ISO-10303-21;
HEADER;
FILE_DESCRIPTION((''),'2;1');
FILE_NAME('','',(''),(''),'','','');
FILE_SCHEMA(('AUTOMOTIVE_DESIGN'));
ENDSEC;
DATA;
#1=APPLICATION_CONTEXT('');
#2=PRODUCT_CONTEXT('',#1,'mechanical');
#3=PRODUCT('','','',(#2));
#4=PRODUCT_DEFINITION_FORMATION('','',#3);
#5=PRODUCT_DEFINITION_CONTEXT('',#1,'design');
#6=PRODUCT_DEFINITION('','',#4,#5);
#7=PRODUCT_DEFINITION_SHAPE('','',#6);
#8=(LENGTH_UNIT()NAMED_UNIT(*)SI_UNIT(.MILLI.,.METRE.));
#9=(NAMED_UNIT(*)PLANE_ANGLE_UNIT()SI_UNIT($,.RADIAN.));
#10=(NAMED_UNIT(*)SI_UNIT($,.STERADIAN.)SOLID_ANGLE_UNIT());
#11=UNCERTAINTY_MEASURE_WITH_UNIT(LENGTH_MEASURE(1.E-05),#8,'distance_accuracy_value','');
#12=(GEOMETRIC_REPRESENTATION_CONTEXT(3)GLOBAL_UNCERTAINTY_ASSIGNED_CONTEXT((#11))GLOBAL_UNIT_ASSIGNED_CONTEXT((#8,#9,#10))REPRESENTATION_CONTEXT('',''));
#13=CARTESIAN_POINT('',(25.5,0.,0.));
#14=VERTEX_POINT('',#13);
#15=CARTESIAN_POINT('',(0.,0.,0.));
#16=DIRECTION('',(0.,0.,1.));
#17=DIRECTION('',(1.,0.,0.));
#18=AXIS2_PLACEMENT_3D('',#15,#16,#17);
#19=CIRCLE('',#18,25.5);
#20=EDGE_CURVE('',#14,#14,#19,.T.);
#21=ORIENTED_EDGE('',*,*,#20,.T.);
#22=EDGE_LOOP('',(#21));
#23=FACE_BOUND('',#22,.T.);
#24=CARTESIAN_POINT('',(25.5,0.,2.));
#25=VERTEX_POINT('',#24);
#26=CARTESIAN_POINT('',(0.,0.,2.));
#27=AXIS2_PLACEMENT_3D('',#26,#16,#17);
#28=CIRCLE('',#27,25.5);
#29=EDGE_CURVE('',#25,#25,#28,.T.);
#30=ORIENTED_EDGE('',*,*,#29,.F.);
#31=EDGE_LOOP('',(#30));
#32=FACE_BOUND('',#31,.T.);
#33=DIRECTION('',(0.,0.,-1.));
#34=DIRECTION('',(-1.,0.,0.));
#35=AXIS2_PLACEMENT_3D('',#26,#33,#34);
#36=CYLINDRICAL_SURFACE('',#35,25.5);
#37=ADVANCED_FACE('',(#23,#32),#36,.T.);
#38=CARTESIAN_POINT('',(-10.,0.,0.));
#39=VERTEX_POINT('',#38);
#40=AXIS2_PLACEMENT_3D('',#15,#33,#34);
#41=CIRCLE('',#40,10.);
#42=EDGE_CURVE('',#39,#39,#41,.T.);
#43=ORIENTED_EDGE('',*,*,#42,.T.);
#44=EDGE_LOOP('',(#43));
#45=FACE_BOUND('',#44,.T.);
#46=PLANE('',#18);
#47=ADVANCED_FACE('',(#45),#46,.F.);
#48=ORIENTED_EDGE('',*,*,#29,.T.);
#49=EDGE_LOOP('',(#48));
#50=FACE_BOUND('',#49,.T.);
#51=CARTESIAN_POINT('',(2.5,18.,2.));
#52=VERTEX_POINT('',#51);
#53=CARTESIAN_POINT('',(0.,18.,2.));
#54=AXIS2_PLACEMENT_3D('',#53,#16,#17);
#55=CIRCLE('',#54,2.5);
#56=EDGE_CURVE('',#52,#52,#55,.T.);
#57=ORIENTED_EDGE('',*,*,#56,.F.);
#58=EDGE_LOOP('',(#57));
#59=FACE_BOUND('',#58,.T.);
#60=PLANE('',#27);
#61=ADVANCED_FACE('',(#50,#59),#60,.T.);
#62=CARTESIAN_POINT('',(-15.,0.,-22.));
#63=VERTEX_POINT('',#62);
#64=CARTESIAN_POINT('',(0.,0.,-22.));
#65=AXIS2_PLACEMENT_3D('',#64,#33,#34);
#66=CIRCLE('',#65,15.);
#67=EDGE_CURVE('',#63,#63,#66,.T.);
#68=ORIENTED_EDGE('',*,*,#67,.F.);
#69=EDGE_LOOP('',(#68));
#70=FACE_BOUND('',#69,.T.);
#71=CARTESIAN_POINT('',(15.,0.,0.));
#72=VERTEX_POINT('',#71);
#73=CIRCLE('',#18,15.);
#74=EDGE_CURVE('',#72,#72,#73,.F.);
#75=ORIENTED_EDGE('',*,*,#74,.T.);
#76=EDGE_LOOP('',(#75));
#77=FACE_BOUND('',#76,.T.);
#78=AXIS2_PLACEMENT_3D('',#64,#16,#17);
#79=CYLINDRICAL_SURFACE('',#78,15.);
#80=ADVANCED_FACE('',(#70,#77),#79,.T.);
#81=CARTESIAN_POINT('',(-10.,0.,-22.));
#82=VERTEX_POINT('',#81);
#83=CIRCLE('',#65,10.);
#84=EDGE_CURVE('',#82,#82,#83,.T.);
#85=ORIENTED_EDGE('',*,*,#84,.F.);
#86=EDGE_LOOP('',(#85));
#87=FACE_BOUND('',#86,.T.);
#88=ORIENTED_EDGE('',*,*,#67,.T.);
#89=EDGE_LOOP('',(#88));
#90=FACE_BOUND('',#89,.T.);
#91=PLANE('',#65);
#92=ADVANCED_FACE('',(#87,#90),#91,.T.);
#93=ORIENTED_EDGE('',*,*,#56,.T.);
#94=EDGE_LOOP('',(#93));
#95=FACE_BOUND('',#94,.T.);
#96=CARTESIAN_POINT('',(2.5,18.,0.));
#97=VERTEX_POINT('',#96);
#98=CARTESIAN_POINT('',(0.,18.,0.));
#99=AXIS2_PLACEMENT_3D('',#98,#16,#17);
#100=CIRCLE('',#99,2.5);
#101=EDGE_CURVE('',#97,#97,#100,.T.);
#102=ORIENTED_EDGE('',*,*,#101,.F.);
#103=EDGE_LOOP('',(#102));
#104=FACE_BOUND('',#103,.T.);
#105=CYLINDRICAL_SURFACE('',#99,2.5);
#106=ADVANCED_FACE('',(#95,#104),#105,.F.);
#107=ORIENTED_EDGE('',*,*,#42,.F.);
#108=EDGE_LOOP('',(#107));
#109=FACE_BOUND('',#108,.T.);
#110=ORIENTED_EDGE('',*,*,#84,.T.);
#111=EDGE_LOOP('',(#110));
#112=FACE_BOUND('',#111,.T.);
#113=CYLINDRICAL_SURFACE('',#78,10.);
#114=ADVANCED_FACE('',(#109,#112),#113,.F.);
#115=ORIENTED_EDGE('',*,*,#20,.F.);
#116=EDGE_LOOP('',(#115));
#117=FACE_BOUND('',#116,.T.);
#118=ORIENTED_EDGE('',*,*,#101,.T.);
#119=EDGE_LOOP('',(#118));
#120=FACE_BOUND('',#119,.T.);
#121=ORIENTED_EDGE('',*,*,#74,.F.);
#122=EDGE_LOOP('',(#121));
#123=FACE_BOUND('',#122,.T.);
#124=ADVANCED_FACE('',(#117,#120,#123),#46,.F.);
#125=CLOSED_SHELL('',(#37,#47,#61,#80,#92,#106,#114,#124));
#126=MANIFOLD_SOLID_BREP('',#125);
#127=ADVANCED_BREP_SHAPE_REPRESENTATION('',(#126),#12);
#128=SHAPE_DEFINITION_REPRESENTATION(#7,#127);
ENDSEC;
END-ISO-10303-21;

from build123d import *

# Parameters (mm, degrees)
ESQUISSE1_R             = 25.5
BOSS_EXTRU_1_DEPTH      = 2
ESQUISSE2_R             = 15
ESQUISSE2_R_2           = 10
BOSS_EXTRU_2_DEPTH      = 22
ESQUISSE3_R             = 2.5
ENL_V_MAT_EXTRU_1_DEPTH = 2


with BuildPart() as part:
    # Esquisse1 → Boss.-Extru.1 (new body)
    with BuildSketch(Plane.XY):
        Circle(ESQUISSE1_R)
    extrude(amount=BOSS_EXTRU_1_DEPTH)

    # Esquisse2 → Boss.-Extru.2 (add)
    with BuildSketch(Plane(origin=(0, 0, 0), x_dir=(-1, 0, 0), z_dir=(0, 0, -1))):
        Circle(ESQUISSE2_R)
        Circle(ESQUISSE2_R_2, mode=Mode.SUBTRACT)
    extrude(amount=BOSS_EXTRU_2_DEPTH)

    # Esquisse3 → Enlèv. mat.-Extru.1 (cut)
    with BuildSketch(Plane.XY.offset(2)):
        with Locations((0, 18)):
            Circle(ESQUISSE3_R)
    extrude(amount=-ENL_V_MAT_EXTRU_1_DEPTH, mode=Mode.SUBTRACT)


solid = part.part
